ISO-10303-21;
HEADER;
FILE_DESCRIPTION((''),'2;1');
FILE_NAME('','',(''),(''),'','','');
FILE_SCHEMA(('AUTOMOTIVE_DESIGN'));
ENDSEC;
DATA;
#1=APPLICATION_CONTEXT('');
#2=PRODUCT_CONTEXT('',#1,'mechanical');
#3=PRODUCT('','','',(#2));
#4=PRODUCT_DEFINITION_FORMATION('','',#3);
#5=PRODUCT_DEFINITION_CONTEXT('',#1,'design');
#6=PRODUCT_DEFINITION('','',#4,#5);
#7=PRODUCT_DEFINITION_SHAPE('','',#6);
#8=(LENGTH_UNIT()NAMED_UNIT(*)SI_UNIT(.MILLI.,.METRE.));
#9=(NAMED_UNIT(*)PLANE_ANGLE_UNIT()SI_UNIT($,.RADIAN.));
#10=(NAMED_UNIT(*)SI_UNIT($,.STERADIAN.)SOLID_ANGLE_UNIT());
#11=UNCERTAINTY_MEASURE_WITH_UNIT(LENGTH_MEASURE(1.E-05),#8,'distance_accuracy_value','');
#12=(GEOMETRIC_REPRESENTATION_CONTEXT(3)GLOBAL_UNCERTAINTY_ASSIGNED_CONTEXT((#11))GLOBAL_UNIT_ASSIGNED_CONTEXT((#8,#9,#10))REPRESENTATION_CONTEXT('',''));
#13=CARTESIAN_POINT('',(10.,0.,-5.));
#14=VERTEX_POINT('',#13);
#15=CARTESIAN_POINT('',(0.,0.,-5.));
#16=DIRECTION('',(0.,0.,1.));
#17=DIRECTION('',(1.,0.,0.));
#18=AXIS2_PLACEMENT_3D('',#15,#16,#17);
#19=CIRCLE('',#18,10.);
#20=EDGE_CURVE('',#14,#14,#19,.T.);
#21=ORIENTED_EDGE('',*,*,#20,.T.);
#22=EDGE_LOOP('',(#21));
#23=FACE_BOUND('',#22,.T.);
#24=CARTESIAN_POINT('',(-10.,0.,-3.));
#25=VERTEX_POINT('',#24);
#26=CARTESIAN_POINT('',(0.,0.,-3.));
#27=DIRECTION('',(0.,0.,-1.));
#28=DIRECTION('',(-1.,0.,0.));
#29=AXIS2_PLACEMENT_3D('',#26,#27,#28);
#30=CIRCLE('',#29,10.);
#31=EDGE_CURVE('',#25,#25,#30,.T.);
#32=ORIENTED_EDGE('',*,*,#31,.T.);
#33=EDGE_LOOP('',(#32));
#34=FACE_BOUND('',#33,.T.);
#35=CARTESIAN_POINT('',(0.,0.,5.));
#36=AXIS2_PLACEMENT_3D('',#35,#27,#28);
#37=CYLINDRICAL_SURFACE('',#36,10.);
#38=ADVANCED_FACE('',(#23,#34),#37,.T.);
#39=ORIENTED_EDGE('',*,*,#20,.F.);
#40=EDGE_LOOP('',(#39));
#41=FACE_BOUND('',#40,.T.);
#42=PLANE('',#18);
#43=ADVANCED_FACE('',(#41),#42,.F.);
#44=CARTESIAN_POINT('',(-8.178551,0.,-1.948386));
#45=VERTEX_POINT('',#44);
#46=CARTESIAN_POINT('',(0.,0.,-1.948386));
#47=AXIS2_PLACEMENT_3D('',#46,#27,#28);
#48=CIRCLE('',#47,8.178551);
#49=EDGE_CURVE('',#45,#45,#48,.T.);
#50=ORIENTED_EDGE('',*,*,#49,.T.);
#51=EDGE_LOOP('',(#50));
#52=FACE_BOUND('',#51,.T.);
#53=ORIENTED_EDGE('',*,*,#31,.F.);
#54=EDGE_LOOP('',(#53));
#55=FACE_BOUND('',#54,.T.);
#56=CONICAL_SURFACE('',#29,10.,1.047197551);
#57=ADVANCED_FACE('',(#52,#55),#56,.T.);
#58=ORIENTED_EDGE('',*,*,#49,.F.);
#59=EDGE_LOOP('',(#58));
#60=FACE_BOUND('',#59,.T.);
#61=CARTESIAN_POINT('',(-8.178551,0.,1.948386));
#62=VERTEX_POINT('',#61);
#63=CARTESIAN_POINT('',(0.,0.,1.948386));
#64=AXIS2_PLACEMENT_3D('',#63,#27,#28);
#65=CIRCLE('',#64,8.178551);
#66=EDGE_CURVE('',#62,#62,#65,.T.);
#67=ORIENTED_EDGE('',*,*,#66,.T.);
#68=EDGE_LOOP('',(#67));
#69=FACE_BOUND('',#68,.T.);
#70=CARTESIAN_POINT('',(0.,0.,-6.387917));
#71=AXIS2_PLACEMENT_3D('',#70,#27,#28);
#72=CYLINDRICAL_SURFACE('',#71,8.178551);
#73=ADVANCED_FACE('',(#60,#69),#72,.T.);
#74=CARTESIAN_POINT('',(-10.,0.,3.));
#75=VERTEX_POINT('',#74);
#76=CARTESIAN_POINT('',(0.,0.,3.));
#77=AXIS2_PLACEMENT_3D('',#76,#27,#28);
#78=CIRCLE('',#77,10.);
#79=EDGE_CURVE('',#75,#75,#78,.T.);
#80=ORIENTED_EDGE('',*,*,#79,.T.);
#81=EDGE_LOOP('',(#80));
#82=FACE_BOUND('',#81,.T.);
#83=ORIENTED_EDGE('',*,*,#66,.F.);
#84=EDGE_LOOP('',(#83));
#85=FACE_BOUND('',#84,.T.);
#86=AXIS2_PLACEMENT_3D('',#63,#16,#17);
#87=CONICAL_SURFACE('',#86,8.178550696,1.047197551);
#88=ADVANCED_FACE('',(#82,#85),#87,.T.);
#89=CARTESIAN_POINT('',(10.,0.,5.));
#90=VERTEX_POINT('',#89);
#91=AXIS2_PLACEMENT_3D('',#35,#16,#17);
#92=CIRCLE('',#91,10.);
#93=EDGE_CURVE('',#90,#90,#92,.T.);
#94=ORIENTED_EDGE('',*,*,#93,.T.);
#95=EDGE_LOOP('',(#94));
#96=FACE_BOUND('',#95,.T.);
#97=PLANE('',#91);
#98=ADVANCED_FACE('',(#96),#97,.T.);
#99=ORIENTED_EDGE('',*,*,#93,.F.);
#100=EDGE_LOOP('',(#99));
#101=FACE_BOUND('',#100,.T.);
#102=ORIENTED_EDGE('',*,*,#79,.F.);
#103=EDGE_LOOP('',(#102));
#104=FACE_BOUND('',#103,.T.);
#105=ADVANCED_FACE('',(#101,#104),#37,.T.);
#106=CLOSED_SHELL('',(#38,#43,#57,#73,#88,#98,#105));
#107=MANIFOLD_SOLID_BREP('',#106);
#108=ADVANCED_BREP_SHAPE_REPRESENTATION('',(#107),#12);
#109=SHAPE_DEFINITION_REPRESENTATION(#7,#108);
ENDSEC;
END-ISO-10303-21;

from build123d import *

# Parameters (mm, degrees)
SKETCH1_R           = 10
BOSS_EXTRUDE1_DEPTH = 5


with BuildPart() as part:
    # Sketch1 → Boss-Extrude1 (new body, symmetric)
    with BuildSketch(Plane.XY):
        Circle(SKETCH1_R)
    extrude(amount=BOSS_EXTRUDE1_DEPTH, both=True)

    # Sketch2 → Cut-Revolve1 (revolve, cut)
    with BuildSketch(Plane(origin=(0, 0, 0), x_dir=(1, 0, 0), z_dir=(0, 1, 0))):
        Polygon((10, 3), (8.178550696, 1.948385754), (8.178550696, -1.948385754), (10, -3), align=None)
    revolve(axis=Axis((0, 0, -6.38791657), (0, 0, 1)), mode=Mode.SUBTRACT)


solid = part.part
